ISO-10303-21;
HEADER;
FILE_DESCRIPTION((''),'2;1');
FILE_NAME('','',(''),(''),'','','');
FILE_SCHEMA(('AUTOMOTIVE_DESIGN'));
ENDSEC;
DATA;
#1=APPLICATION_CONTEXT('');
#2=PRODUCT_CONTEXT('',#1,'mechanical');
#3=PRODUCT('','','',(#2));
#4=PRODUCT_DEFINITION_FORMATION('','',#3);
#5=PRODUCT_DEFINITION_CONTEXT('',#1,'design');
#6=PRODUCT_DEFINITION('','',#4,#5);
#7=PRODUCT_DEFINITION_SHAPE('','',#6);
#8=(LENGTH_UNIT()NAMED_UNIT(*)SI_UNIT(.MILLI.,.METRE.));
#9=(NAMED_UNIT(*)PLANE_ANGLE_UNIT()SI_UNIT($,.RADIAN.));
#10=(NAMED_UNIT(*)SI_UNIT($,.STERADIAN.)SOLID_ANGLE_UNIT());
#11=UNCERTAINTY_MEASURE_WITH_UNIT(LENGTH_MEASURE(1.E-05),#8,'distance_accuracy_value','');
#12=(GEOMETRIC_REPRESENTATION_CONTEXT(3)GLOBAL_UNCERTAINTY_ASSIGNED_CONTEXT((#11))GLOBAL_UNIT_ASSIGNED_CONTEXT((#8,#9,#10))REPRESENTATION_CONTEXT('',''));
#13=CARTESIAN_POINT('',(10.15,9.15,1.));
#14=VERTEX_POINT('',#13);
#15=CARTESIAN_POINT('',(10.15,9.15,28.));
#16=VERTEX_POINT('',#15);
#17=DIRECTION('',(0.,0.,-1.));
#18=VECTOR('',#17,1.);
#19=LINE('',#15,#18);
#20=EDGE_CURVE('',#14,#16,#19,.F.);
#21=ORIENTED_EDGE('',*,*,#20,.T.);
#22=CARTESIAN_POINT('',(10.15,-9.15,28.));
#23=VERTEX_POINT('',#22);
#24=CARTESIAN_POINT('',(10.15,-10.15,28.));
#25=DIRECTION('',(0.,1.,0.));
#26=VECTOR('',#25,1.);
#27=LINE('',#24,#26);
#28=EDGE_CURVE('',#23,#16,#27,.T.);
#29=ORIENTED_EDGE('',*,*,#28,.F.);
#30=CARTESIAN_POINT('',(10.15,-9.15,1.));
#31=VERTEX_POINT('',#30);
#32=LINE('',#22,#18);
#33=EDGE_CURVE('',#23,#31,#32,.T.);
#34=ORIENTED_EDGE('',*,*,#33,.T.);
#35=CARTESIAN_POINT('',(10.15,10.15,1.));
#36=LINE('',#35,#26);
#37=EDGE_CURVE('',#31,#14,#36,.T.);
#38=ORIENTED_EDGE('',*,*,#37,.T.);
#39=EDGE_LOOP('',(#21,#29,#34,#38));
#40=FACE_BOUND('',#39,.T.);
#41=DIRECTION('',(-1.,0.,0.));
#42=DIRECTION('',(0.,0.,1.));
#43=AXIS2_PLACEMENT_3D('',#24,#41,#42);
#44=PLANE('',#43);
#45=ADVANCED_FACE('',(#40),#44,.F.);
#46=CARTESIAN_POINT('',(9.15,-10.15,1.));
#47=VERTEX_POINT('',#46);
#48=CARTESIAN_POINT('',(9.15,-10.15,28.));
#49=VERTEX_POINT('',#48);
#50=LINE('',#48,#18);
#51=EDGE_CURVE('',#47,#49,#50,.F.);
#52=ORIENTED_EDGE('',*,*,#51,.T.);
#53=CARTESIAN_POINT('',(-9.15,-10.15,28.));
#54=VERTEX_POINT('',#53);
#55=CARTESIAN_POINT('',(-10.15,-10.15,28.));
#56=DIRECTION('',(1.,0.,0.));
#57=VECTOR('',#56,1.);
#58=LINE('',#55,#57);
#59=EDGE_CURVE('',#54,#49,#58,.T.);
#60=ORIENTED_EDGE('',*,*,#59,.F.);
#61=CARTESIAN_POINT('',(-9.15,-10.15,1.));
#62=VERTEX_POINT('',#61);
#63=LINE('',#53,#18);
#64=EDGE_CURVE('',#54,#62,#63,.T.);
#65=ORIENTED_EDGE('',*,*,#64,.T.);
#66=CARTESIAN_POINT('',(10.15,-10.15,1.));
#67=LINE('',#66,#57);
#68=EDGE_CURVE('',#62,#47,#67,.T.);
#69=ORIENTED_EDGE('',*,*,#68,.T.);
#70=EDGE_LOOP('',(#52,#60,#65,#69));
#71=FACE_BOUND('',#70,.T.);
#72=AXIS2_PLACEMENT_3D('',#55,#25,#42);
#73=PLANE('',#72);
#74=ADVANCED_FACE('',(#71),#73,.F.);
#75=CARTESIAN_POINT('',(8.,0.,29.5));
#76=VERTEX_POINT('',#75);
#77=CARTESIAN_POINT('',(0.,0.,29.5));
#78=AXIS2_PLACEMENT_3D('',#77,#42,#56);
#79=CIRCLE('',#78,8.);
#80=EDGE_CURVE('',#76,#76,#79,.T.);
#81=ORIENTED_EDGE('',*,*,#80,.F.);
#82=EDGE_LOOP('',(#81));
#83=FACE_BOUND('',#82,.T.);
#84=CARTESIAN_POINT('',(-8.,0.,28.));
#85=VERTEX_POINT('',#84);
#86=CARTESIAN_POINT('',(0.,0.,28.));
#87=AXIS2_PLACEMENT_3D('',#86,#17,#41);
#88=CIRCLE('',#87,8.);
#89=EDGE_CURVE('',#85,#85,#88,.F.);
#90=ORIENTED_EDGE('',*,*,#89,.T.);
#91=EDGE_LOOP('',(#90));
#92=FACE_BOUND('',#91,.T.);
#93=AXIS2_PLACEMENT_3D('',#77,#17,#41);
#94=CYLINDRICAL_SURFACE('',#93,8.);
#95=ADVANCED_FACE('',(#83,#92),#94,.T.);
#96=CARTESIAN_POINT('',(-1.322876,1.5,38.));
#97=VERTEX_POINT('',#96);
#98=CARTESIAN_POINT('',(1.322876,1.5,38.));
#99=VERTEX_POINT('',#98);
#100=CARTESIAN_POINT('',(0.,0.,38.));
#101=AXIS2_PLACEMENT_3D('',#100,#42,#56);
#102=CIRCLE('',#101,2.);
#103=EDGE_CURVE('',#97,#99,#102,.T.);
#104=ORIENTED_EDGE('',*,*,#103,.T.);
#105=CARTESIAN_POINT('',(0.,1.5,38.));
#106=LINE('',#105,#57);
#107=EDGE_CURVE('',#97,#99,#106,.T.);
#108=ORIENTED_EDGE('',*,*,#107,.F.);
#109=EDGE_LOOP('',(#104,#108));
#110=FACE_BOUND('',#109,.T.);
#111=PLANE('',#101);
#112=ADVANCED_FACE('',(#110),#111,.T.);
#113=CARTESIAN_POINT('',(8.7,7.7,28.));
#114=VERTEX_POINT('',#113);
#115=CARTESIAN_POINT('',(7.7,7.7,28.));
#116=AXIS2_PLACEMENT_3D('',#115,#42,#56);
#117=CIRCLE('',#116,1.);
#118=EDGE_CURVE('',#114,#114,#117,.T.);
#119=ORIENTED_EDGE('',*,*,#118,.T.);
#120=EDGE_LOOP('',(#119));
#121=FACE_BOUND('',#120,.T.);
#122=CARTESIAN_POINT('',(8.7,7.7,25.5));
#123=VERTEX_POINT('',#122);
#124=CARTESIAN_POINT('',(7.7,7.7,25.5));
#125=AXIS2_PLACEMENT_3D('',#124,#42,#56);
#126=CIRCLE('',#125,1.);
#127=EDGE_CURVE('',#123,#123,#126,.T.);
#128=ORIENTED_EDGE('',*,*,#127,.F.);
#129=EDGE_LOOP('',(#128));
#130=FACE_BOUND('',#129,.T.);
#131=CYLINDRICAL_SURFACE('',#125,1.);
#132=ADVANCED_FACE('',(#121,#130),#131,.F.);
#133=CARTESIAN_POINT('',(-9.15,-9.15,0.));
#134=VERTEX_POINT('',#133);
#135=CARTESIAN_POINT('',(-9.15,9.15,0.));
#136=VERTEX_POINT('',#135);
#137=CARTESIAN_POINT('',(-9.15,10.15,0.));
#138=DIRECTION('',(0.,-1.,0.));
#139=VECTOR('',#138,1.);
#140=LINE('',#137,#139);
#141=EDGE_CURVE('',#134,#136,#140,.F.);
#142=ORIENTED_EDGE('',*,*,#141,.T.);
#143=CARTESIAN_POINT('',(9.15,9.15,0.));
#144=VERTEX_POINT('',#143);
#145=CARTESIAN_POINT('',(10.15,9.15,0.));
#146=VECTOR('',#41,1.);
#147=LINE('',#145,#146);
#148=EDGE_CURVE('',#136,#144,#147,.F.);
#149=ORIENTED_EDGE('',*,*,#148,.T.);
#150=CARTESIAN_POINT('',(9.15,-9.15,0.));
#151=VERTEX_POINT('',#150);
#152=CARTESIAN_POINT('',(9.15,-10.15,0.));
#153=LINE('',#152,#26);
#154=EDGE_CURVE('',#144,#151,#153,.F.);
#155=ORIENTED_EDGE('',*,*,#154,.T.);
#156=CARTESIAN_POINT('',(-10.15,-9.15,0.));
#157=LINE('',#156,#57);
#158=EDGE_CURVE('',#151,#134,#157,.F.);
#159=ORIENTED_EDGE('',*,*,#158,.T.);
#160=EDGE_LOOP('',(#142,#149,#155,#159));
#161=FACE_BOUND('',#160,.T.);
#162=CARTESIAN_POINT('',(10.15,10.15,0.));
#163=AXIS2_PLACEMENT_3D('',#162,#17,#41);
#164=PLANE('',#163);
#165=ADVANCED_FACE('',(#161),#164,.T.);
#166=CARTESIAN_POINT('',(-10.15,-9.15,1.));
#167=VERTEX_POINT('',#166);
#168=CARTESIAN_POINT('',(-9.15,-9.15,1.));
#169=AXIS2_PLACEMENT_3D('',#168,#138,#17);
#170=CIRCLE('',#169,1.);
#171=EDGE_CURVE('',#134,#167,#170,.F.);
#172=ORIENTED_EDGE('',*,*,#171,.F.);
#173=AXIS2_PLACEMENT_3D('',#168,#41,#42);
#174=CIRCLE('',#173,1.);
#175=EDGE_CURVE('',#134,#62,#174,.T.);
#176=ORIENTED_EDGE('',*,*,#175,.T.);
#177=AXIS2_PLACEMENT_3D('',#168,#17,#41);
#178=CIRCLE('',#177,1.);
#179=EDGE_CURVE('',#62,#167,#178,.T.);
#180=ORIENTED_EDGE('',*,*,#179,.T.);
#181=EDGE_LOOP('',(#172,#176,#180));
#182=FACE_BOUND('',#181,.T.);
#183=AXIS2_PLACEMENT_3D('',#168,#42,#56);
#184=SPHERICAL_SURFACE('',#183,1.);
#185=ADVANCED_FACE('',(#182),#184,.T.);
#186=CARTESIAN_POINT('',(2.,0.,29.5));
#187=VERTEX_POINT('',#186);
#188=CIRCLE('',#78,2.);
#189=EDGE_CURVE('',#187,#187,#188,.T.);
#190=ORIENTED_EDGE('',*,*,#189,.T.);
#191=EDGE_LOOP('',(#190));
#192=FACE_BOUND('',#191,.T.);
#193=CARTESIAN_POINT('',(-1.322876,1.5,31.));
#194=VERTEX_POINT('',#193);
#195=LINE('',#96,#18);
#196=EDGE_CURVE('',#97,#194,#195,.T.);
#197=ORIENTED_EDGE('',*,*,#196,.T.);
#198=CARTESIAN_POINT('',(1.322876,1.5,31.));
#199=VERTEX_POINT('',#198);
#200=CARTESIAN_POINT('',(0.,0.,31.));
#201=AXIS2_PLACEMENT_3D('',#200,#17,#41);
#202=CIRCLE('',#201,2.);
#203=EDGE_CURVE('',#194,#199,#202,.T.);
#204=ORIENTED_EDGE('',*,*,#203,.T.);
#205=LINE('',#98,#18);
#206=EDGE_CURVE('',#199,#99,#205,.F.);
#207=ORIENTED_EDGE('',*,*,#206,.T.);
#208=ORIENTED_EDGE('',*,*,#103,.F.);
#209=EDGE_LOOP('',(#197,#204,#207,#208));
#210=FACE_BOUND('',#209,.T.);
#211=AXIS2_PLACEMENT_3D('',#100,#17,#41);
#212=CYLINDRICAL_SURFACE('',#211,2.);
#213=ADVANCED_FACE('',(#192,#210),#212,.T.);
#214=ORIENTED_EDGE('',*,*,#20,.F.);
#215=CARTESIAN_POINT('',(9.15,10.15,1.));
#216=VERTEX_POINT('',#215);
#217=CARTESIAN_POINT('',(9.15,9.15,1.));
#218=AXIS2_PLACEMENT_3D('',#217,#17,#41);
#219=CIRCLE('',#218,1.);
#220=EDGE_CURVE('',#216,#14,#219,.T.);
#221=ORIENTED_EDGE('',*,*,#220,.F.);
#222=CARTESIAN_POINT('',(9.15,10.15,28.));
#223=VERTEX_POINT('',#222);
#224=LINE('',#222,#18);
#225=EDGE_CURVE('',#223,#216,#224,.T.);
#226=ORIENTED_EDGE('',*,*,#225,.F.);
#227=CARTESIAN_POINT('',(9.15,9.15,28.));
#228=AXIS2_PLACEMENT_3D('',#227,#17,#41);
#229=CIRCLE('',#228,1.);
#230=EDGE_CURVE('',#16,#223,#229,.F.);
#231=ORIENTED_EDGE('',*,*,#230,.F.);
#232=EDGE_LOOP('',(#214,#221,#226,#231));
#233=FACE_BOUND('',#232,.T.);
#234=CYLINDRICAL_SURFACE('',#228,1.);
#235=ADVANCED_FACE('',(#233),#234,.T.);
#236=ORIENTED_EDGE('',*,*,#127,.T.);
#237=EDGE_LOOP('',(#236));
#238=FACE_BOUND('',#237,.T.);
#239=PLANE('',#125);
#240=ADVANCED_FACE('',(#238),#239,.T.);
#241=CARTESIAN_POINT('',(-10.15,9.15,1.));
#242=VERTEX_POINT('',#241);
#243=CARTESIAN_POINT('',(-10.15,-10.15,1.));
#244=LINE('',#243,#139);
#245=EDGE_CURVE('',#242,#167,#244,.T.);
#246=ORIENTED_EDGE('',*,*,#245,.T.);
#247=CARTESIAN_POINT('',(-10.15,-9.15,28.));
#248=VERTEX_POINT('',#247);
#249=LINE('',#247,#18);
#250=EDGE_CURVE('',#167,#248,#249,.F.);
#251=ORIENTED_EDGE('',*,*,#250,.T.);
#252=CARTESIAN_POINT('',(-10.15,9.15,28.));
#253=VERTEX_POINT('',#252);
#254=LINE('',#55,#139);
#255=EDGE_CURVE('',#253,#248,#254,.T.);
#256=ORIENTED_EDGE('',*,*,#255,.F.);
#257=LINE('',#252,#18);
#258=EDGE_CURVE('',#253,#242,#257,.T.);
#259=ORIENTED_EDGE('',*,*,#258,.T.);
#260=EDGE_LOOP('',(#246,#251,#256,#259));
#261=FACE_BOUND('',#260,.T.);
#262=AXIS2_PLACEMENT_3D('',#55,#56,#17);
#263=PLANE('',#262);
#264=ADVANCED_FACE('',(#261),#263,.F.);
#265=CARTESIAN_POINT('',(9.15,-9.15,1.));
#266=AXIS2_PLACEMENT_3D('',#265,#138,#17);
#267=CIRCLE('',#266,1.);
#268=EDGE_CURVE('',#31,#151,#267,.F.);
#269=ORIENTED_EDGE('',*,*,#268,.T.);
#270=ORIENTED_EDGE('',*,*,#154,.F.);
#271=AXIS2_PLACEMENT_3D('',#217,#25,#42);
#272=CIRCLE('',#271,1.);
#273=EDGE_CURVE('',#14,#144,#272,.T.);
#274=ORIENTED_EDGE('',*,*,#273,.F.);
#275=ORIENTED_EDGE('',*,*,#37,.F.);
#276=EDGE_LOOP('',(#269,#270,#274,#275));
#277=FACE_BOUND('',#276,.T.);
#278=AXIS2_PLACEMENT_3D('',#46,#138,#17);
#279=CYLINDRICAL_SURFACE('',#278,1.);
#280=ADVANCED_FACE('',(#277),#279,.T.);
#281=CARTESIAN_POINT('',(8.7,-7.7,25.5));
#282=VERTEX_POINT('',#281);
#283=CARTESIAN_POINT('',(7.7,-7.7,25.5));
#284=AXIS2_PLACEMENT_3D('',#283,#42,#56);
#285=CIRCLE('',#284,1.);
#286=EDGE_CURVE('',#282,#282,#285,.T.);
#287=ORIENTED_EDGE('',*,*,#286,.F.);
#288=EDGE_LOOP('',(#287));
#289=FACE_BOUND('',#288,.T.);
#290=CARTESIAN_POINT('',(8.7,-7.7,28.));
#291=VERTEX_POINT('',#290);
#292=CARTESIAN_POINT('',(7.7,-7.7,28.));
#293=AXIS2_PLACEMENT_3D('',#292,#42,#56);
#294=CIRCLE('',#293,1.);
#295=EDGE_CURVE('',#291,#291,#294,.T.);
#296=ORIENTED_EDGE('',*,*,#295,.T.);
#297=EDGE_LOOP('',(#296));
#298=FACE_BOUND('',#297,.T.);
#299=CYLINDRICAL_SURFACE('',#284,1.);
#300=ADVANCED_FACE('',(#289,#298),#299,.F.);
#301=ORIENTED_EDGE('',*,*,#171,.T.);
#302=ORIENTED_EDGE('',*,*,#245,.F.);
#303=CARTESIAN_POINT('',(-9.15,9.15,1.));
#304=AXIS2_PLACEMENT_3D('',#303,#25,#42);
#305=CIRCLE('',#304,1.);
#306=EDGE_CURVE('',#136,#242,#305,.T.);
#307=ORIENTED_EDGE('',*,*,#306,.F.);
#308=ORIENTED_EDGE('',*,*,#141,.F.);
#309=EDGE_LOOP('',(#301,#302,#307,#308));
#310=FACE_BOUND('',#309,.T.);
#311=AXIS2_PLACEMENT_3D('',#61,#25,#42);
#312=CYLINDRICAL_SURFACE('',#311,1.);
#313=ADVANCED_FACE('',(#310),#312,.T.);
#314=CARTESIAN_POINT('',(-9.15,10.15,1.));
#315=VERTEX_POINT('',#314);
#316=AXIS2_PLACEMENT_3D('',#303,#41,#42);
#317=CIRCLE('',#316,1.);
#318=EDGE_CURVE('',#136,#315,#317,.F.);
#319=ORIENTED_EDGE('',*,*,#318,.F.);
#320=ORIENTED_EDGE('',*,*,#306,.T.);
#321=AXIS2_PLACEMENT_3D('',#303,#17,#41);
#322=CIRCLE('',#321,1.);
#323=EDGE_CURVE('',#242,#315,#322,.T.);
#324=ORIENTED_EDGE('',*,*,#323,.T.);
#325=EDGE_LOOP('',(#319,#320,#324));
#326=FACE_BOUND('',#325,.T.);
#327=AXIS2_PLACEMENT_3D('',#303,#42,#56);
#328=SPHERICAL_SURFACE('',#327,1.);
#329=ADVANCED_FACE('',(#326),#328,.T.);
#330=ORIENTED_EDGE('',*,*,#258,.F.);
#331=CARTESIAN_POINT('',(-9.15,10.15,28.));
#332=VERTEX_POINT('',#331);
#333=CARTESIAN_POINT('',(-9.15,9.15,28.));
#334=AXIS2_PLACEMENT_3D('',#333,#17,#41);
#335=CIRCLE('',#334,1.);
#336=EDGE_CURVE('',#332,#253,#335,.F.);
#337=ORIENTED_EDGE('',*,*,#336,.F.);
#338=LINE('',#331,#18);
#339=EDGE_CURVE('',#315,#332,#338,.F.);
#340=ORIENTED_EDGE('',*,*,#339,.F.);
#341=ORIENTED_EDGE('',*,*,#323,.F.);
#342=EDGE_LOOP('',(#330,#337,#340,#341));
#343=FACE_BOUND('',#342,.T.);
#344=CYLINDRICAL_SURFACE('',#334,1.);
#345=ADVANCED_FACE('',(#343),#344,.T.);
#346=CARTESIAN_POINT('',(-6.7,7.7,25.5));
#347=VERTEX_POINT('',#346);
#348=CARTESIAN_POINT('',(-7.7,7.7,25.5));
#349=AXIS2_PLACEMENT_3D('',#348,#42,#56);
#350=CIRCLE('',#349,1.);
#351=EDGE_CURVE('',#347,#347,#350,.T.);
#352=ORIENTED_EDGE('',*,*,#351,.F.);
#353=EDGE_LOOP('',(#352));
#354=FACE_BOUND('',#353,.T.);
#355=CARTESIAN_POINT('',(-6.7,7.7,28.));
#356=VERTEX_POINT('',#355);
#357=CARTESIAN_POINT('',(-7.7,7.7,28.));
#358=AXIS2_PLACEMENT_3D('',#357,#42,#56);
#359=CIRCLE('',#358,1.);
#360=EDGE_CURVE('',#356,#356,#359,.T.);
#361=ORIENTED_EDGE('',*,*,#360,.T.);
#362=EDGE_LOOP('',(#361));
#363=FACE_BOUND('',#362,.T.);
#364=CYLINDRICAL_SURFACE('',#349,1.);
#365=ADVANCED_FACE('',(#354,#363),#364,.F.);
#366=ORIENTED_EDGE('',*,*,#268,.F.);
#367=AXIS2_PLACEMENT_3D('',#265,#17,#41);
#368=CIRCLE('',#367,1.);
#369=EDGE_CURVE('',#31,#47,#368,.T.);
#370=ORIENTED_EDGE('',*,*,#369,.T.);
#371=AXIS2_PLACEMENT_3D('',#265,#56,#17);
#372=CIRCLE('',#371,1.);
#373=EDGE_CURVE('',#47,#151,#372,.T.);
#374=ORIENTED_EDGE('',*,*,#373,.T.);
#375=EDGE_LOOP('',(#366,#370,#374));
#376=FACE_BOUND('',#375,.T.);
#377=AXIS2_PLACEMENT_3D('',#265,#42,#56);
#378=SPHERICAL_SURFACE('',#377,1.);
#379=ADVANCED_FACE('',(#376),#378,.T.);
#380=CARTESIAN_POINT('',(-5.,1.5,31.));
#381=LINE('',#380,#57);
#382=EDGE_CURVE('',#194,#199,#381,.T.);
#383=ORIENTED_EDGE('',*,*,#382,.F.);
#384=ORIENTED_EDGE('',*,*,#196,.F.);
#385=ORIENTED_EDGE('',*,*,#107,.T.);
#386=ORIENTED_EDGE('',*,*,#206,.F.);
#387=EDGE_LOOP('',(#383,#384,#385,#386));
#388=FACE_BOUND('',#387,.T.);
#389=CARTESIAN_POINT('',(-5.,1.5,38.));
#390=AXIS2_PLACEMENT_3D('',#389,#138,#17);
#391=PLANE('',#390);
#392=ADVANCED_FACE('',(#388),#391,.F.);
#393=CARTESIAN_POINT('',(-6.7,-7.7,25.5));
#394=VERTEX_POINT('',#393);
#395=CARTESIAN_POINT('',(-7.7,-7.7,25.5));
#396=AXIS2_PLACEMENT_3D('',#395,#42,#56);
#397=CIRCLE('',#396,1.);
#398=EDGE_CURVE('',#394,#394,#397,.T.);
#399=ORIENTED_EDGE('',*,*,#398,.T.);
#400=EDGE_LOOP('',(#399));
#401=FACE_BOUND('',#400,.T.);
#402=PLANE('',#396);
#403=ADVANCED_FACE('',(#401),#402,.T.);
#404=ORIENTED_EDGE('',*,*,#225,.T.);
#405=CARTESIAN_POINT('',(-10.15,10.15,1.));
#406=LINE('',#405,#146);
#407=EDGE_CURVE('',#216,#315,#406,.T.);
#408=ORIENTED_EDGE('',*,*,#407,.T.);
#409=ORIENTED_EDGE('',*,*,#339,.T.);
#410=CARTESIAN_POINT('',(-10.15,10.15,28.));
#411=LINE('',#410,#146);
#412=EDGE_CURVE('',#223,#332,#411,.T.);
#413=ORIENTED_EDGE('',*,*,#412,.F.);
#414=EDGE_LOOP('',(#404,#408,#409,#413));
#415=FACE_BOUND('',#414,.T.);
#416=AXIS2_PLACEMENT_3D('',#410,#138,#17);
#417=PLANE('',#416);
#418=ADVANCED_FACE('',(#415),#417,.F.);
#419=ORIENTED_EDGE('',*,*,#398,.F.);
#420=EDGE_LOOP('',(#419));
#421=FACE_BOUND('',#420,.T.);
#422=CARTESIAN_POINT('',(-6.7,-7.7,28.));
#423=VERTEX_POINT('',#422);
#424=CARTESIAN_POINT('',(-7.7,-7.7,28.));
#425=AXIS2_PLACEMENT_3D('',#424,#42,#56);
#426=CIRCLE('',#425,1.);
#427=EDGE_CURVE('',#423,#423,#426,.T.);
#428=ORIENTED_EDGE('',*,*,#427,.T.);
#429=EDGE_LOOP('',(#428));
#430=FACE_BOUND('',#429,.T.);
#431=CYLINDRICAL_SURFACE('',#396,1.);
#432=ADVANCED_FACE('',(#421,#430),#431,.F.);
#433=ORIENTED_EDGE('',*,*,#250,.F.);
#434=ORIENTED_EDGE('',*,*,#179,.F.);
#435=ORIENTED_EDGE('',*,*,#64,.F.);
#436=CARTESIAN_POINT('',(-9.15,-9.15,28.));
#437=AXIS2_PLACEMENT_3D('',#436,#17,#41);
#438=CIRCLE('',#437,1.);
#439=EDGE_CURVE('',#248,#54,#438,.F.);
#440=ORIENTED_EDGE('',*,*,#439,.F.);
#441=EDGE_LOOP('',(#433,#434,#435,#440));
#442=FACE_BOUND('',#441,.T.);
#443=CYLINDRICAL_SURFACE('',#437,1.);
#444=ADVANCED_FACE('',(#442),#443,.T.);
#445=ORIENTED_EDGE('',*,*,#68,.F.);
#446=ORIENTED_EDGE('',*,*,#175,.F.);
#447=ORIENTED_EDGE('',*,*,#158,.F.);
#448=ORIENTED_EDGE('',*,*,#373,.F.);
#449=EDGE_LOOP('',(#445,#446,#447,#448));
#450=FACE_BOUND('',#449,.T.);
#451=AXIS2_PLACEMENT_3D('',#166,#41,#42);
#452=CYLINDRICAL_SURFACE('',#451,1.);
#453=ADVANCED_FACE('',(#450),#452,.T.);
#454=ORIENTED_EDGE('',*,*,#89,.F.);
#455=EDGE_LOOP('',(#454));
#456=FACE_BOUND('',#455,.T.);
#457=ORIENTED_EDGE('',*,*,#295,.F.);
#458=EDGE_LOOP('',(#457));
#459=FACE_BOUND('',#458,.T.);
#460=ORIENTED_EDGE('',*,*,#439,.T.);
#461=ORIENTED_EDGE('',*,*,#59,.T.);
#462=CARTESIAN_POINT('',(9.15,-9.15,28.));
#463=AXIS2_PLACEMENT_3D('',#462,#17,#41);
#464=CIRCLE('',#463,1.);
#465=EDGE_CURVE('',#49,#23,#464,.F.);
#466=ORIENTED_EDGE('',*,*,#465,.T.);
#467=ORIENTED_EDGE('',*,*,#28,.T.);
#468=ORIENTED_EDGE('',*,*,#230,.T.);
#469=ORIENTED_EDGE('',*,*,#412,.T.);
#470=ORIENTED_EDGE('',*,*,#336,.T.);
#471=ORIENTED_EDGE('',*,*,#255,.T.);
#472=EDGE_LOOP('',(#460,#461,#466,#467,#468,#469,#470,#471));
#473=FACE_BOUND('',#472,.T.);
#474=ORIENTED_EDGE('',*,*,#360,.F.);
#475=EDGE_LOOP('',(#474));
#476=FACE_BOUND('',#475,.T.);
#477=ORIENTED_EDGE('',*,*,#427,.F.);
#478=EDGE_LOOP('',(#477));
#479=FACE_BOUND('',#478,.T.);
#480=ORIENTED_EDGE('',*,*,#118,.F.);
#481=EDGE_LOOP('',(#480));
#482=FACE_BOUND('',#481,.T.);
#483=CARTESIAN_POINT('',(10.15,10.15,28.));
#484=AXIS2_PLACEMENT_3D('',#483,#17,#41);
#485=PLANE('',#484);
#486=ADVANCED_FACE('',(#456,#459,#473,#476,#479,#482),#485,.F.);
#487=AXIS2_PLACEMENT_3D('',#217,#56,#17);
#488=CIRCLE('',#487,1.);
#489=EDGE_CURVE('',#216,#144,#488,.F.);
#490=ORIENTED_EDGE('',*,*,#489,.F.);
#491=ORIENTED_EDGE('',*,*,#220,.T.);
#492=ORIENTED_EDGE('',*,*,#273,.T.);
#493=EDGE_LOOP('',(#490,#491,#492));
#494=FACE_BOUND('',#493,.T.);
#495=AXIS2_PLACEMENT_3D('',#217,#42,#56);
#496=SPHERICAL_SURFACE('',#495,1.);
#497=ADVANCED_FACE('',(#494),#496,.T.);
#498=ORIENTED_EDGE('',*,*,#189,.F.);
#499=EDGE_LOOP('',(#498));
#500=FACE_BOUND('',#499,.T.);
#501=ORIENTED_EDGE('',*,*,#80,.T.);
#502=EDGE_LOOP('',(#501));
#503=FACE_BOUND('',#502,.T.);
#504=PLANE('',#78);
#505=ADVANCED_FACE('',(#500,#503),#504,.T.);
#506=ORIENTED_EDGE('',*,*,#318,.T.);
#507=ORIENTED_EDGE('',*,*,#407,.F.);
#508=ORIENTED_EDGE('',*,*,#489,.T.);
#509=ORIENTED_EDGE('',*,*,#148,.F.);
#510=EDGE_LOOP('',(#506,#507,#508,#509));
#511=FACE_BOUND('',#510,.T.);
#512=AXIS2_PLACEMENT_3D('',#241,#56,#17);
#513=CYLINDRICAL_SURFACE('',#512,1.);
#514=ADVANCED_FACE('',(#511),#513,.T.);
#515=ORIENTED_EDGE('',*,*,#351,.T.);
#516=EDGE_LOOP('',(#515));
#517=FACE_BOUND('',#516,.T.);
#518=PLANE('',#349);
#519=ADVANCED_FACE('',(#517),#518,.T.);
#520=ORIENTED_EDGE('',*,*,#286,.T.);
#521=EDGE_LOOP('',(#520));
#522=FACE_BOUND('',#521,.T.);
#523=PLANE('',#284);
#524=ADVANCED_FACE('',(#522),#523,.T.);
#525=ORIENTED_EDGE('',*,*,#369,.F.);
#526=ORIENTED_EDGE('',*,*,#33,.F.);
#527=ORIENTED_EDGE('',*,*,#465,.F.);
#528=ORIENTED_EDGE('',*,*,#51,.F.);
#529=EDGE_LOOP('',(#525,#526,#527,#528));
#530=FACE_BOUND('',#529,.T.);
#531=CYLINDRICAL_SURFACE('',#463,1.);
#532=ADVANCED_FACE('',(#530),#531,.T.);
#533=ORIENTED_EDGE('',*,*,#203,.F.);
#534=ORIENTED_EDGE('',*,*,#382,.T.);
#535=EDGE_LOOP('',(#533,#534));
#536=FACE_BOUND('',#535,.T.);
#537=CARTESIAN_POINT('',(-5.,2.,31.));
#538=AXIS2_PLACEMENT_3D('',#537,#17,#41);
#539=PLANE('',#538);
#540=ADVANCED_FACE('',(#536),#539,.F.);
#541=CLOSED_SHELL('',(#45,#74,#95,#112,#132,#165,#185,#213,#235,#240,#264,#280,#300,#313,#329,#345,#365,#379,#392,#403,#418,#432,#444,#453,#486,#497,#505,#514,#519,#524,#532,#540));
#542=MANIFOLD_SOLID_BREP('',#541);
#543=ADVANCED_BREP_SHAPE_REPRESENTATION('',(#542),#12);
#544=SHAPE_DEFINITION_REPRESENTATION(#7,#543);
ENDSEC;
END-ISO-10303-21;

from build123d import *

# Parameters (mm, degrees)
SKETCH1_W           = 20.3
SKETCH1_H           = 20.3
BOSS_EXTRUDE1_DEPTH = 28
SKETCH2_R           = 8
BOSS_EXTRUDE2_DEPTH = 1.5
SKETCH3_R           = 2
BOSS_EXTRUDE3_DEPTH = 8.5
SKETCH4_W           = 7
SKETCH4_H           = 0.5
CUT_EXTRUDE1_DEPTH  = 5
SKETCH5_R           = 1
CUT_EXTRUDE2_DEPTH  = 2.5
FILLET1_R           = 1


with BuildPart() as part:
    # Sketch1 → Boss-Extrude1 (new body)
    with BuildSketch(Plane.XY):
        Rectangle(SKETCH1_W, SKETCH1_H)
    extrude(amount=BOSS_EXTRUDE1_DEPTH)

    # Sketch2 → Boss-Extrude2 (add)
    with BuildSketch(Plane.XY.offset(28)):
        with Locations(Location((0, 0, 0), (0, 0, 180))):
            Circle(SKETCH2_R)
    extrude(amount=BOSS_EXTRUDE2_DEPTH)

    # Sketch3 → Boss-Extrude3 (add)
    with BuildSketch(Plane.XY.offset(29.5)):
        Circle(SKETCH3_R)
    extrude(amount=BOSS_EXTRUDE3_DEPTH)

    # Sketch4 → Cut-Extrude1 (cut, symmetric)
    with BuildSketch(Plane(origin=(0, 0, 0), x_dir=(0, 0, -1), z_dir=(1, 0, 0))):
        with Locations((-34.5, 1.75)):
            Rectangle(SKETCH4_W, SKETCH4_H)
    extrude(amount=CUT_EXTRUDE1_DEPTH, both=True, mode=Mode.SUBTRACT)

    # Sketch5 → Cut-Extrude2 (cut)
    with BuildSketch(Plane.XY.offset(28)):
        with Locations((-7.7, 7.7)):
            Circle(SKETCH5_R)
        with Locations((7.7, 7.7)):
            Circle(SKETCH5_R)
        with Locations((7.7, -7.7)):
            Circle(SKETCH5_R)
        with Locations((-7.7, -7.7)):
            Circle(SKETCH5_R)
    extrude(amount=-CUT_EXTRUDE2_DEPTH, mode=Mode.SUBTRACT)

    # Fillet1
    fillet1_edges = [part.edges().sort_by_distance(p)[0] for p in [
        (0, -10.15, 0),
        (-10.15, 0, 0),
        (0, 10.15, 0),
        (10.15, 0, 0),
        (10.15, -10.15, 14),
        (-10.15, -10.15, 14),
        (-10.15, 10.15, 14),
        (10.15, 10.15, 14),
    ]]
    fillet(fillet1_edges, radius=FILLET1_R)


solid = part.part
